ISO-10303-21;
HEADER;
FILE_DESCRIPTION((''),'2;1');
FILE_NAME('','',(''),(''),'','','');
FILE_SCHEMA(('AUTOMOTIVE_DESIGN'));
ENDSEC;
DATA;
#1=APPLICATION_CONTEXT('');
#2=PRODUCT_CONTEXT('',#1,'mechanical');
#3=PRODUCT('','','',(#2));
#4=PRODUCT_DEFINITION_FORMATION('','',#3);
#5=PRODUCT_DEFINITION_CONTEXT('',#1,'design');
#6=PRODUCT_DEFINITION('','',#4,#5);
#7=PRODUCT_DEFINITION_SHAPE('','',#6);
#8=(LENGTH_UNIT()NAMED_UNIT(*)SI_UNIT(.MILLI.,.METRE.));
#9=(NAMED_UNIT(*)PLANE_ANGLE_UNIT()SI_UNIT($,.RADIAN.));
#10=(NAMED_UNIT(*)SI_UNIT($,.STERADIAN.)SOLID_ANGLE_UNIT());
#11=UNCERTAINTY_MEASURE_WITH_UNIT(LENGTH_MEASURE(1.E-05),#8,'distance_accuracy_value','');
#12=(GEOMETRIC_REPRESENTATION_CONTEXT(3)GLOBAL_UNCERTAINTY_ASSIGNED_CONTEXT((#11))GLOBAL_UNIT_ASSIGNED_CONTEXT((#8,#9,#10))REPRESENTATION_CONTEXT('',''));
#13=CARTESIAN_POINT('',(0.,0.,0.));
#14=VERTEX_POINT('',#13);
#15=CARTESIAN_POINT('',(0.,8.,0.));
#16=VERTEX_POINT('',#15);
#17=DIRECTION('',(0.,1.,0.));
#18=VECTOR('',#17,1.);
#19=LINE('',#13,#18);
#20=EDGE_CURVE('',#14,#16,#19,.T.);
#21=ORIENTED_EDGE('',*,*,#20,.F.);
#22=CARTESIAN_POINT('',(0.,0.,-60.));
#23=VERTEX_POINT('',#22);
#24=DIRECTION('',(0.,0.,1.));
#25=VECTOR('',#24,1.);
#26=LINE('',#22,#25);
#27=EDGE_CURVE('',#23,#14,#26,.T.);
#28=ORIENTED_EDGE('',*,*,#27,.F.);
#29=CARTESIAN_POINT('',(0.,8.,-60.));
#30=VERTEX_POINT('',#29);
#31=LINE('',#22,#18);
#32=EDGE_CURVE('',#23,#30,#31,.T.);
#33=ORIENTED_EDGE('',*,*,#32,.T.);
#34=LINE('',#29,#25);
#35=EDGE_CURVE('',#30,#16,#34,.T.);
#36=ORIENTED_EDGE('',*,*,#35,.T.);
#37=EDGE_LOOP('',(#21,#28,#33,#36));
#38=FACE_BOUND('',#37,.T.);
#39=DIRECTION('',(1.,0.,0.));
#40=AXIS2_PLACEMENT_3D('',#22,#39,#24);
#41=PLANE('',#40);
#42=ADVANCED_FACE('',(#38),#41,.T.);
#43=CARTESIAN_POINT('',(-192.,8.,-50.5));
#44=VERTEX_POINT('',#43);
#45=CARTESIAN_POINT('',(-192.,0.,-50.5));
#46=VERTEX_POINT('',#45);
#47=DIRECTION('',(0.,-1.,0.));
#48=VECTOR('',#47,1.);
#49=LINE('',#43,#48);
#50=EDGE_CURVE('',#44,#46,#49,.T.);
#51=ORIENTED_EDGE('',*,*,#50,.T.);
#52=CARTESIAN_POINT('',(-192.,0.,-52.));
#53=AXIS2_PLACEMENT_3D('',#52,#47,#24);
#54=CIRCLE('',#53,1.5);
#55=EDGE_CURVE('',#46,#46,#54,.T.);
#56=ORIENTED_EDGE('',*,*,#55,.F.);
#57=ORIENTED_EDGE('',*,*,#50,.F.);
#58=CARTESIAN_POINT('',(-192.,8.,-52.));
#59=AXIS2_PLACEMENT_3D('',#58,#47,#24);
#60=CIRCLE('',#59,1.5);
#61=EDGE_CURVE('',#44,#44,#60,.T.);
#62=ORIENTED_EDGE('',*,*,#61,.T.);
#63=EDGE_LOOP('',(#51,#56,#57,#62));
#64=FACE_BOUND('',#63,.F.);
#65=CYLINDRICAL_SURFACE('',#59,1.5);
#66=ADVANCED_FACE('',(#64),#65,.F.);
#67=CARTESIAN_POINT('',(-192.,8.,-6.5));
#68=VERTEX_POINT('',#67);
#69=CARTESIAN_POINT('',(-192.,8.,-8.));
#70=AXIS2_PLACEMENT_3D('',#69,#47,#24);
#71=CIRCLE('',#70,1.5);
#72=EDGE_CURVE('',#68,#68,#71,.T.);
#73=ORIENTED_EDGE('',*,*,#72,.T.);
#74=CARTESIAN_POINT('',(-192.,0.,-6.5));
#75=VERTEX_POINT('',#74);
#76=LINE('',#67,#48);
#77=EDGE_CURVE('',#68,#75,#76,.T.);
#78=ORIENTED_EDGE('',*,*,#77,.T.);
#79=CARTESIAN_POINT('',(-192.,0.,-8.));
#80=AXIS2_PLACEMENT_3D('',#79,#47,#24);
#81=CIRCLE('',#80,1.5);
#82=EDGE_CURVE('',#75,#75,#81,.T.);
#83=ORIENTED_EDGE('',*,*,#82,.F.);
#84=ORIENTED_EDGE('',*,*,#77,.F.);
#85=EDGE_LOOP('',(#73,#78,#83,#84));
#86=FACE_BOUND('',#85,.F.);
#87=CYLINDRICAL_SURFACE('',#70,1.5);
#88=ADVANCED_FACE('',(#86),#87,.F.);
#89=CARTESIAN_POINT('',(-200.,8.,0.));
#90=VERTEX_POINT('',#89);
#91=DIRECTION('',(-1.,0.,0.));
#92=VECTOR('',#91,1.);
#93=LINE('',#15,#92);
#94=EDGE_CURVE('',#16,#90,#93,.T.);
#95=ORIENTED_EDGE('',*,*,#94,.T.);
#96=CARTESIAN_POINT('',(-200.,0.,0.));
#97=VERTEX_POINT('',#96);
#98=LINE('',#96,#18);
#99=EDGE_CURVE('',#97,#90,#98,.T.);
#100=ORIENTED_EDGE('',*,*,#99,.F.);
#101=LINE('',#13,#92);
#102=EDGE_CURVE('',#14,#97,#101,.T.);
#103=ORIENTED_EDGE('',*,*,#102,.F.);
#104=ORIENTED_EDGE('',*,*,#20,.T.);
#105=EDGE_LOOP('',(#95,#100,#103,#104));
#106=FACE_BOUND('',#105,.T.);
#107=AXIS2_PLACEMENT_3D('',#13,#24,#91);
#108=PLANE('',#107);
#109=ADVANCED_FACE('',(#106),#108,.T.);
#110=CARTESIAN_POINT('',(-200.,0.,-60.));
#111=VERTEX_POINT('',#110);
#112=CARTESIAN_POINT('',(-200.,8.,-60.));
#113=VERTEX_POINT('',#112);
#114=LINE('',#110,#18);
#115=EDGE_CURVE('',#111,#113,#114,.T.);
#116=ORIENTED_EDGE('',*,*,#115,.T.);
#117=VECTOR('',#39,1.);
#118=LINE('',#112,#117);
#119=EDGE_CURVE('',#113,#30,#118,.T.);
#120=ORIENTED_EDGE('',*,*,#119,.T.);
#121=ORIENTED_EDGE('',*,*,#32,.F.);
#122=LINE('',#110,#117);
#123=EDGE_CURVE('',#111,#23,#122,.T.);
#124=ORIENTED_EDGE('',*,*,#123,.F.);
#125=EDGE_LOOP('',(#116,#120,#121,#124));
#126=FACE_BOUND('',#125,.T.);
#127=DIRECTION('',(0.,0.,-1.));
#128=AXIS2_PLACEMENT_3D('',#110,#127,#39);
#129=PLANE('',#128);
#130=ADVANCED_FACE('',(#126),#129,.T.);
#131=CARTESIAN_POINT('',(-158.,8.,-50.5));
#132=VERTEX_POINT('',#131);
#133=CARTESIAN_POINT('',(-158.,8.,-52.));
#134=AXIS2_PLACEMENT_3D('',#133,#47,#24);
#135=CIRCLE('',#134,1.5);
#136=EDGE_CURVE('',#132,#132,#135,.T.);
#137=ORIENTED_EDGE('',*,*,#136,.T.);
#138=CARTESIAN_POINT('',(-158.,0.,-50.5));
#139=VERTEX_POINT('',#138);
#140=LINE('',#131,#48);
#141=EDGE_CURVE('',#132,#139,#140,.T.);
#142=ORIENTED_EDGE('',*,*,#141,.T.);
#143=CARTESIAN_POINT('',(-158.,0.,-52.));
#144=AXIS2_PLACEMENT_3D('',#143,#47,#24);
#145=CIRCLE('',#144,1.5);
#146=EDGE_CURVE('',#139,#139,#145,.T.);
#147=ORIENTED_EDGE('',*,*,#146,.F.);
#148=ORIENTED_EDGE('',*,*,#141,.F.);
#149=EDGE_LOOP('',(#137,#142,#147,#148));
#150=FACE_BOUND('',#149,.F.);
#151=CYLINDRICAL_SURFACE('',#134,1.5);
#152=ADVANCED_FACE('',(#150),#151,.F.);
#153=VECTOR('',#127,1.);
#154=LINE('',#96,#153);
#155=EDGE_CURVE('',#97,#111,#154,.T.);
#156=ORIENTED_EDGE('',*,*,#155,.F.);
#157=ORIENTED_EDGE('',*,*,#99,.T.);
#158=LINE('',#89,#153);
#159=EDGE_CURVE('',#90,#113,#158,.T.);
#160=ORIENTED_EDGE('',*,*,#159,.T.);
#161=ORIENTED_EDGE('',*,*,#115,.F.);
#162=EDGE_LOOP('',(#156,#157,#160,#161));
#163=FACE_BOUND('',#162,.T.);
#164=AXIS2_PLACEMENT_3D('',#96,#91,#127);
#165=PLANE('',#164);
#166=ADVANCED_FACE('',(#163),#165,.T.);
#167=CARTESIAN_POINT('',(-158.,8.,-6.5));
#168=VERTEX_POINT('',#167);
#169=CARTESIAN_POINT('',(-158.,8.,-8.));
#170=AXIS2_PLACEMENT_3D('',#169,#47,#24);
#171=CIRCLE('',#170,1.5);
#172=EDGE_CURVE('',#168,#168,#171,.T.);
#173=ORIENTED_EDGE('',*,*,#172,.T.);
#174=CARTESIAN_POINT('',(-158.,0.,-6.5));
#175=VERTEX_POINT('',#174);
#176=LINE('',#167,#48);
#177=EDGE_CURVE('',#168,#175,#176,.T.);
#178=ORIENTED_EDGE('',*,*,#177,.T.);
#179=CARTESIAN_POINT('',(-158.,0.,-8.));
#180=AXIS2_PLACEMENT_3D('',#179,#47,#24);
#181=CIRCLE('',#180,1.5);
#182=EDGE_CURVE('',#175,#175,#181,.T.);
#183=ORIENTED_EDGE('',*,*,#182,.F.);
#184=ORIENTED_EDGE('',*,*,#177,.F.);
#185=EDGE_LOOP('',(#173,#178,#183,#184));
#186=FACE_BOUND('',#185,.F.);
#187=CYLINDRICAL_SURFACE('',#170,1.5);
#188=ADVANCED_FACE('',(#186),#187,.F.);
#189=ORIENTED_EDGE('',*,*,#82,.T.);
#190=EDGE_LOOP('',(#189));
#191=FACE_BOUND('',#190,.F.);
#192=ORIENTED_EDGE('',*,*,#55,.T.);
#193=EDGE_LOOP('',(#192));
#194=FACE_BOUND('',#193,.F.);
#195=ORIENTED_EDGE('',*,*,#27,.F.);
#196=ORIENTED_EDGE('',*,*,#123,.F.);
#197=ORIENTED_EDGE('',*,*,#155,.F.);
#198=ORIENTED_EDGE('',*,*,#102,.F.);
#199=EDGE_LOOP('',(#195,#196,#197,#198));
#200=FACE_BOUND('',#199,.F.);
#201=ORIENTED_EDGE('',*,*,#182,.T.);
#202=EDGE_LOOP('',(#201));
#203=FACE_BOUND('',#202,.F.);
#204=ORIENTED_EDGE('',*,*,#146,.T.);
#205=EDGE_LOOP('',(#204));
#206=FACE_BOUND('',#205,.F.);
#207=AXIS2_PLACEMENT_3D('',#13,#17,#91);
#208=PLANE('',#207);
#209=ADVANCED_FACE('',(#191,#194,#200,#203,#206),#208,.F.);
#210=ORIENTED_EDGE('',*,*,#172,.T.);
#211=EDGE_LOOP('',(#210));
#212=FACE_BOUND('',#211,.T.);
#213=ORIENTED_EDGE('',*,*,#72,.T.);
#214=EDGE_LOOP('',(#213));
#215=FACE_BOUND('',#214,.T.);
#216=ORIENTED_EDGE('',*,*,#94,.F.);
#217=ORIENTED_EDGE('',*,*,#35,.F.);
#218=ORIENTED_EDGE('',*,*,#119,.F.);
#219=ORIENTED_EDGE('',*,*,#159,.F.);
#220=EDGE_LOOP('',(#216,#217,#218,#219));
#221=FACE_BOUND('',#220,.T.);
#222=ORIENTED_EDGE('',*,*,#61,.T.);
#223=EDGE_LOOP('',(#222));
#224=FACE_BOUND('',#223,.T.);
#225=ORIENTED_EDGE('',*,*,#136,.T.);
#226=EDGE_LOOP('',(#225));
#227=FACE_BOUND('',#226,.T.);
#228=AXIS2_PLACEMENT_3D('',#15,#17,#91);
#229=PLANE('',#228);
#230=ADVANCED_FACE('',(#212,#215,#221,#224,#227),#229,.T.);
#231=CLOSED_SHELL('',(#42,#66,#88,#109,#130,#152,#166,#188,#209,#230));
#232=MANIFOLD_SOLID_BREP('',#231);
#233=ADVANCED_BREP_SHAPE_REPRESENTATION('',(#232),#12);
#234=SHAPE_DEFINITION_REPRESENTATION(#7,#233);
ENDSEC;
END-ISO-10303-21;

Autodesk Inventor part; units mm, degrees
ref_plane "YZ Plane" through (0, 0, 0) normal (1, 0, 0) x (0, 1, 0)
ref_plane "XZ Plane" through (0, 0, 0) normal (0, 1, 0) x (-1, 0, 0)
ref_plane "XY Plane" through (0, 0, 0) normal (0, 0, 1) x (1, 0, 0)
sketch "Sketch1" plane through (0, 0, 0) normal (0, 1, 0) x (-1, 0, 0)
  line L0 (0, 0) -> (200, 0)
  line L1 (200, 0) -> (200, -60)
  line L2 (200, -60) -> (0, -60)
  line L3 (0, -60) -> (0, 0)
  dimension "d0" = 200
  dimension "d1" = 60
extrude "Extrusion1" add sketch "Sketch1" along normal blind 8
sketch "Sketch2" plane through (0, 8, 0) normal (0, 1, 0) x (1, 0, 0)
  line L0 (-155, 55) -> (-155, 5)
  line L1 (-160, 17.25) -> (-160, 25.75)
  line L2 (-160, 25.75) -> (-161, 25.75)
  line L3 (-161, 25.75) -> (-161, 17.25)
  line L4 (-161, 17.25) -> (-160, 17.25)
  line L5 (-161, 34.25) -> (-160, 34.25)
  line L6 (-160, 34.25) -> (-160, 42.75)
  line L7 (-160, 42.75) -> (-161, 42.75)
  line L8 (-161, 42.75) -> (-161, 34.25)
  line L9 (-155, 55) -> (-195, 55)
  line L10 (-195, 5) -> (-155, 5)
  line L11 (-127.49, 30) -> (-133.3125, 30) construction
  line L12 (-195, 5) -> (-195, 55)
  circle A0 centre (-158, 52) radius 1.5
  circle A1 centre (-192, 52) radius 1.5
  circle A2 centre (-158, 8) radius 1.5
  circle A3 centre (-192, 8) radius 1.5
  line L13 (-200, 60) -> (-200, 0) projected
  line L14 (-200, 0) -> (0, 0) projected
  point P0 (-159.5, 47)
  point P1 (-159.5, 30)
  point P2 (-159.5, 13)
  dimension "d4" = 8.5
  dimension "d5" = 1
  dimension "d6" = 5
  dimension "d7" = 17
  dimension "d8" = 17
  dimension "d9" = 4.25
  dimension "d10" = 4.25
  dimension "d11" = 4.5
  dimension "d12" = 40
  dimension "d13" = 50
  dimension "d14" = 3
  dimension "d15" = 3
  dimension "d16" = 3
  dimension "d17" = 3
  dimension "d18" = 3
  dimension "d19" = 5
  dimension "d20" = 5
hole "Hole1" at (-158, 8, -8) at (-158, 8, -52) at (-192, 8, -52) at (-192, 8, -8) direction (0, -1, 0) diameter 3 end through all
properties part number "Luna_base"
